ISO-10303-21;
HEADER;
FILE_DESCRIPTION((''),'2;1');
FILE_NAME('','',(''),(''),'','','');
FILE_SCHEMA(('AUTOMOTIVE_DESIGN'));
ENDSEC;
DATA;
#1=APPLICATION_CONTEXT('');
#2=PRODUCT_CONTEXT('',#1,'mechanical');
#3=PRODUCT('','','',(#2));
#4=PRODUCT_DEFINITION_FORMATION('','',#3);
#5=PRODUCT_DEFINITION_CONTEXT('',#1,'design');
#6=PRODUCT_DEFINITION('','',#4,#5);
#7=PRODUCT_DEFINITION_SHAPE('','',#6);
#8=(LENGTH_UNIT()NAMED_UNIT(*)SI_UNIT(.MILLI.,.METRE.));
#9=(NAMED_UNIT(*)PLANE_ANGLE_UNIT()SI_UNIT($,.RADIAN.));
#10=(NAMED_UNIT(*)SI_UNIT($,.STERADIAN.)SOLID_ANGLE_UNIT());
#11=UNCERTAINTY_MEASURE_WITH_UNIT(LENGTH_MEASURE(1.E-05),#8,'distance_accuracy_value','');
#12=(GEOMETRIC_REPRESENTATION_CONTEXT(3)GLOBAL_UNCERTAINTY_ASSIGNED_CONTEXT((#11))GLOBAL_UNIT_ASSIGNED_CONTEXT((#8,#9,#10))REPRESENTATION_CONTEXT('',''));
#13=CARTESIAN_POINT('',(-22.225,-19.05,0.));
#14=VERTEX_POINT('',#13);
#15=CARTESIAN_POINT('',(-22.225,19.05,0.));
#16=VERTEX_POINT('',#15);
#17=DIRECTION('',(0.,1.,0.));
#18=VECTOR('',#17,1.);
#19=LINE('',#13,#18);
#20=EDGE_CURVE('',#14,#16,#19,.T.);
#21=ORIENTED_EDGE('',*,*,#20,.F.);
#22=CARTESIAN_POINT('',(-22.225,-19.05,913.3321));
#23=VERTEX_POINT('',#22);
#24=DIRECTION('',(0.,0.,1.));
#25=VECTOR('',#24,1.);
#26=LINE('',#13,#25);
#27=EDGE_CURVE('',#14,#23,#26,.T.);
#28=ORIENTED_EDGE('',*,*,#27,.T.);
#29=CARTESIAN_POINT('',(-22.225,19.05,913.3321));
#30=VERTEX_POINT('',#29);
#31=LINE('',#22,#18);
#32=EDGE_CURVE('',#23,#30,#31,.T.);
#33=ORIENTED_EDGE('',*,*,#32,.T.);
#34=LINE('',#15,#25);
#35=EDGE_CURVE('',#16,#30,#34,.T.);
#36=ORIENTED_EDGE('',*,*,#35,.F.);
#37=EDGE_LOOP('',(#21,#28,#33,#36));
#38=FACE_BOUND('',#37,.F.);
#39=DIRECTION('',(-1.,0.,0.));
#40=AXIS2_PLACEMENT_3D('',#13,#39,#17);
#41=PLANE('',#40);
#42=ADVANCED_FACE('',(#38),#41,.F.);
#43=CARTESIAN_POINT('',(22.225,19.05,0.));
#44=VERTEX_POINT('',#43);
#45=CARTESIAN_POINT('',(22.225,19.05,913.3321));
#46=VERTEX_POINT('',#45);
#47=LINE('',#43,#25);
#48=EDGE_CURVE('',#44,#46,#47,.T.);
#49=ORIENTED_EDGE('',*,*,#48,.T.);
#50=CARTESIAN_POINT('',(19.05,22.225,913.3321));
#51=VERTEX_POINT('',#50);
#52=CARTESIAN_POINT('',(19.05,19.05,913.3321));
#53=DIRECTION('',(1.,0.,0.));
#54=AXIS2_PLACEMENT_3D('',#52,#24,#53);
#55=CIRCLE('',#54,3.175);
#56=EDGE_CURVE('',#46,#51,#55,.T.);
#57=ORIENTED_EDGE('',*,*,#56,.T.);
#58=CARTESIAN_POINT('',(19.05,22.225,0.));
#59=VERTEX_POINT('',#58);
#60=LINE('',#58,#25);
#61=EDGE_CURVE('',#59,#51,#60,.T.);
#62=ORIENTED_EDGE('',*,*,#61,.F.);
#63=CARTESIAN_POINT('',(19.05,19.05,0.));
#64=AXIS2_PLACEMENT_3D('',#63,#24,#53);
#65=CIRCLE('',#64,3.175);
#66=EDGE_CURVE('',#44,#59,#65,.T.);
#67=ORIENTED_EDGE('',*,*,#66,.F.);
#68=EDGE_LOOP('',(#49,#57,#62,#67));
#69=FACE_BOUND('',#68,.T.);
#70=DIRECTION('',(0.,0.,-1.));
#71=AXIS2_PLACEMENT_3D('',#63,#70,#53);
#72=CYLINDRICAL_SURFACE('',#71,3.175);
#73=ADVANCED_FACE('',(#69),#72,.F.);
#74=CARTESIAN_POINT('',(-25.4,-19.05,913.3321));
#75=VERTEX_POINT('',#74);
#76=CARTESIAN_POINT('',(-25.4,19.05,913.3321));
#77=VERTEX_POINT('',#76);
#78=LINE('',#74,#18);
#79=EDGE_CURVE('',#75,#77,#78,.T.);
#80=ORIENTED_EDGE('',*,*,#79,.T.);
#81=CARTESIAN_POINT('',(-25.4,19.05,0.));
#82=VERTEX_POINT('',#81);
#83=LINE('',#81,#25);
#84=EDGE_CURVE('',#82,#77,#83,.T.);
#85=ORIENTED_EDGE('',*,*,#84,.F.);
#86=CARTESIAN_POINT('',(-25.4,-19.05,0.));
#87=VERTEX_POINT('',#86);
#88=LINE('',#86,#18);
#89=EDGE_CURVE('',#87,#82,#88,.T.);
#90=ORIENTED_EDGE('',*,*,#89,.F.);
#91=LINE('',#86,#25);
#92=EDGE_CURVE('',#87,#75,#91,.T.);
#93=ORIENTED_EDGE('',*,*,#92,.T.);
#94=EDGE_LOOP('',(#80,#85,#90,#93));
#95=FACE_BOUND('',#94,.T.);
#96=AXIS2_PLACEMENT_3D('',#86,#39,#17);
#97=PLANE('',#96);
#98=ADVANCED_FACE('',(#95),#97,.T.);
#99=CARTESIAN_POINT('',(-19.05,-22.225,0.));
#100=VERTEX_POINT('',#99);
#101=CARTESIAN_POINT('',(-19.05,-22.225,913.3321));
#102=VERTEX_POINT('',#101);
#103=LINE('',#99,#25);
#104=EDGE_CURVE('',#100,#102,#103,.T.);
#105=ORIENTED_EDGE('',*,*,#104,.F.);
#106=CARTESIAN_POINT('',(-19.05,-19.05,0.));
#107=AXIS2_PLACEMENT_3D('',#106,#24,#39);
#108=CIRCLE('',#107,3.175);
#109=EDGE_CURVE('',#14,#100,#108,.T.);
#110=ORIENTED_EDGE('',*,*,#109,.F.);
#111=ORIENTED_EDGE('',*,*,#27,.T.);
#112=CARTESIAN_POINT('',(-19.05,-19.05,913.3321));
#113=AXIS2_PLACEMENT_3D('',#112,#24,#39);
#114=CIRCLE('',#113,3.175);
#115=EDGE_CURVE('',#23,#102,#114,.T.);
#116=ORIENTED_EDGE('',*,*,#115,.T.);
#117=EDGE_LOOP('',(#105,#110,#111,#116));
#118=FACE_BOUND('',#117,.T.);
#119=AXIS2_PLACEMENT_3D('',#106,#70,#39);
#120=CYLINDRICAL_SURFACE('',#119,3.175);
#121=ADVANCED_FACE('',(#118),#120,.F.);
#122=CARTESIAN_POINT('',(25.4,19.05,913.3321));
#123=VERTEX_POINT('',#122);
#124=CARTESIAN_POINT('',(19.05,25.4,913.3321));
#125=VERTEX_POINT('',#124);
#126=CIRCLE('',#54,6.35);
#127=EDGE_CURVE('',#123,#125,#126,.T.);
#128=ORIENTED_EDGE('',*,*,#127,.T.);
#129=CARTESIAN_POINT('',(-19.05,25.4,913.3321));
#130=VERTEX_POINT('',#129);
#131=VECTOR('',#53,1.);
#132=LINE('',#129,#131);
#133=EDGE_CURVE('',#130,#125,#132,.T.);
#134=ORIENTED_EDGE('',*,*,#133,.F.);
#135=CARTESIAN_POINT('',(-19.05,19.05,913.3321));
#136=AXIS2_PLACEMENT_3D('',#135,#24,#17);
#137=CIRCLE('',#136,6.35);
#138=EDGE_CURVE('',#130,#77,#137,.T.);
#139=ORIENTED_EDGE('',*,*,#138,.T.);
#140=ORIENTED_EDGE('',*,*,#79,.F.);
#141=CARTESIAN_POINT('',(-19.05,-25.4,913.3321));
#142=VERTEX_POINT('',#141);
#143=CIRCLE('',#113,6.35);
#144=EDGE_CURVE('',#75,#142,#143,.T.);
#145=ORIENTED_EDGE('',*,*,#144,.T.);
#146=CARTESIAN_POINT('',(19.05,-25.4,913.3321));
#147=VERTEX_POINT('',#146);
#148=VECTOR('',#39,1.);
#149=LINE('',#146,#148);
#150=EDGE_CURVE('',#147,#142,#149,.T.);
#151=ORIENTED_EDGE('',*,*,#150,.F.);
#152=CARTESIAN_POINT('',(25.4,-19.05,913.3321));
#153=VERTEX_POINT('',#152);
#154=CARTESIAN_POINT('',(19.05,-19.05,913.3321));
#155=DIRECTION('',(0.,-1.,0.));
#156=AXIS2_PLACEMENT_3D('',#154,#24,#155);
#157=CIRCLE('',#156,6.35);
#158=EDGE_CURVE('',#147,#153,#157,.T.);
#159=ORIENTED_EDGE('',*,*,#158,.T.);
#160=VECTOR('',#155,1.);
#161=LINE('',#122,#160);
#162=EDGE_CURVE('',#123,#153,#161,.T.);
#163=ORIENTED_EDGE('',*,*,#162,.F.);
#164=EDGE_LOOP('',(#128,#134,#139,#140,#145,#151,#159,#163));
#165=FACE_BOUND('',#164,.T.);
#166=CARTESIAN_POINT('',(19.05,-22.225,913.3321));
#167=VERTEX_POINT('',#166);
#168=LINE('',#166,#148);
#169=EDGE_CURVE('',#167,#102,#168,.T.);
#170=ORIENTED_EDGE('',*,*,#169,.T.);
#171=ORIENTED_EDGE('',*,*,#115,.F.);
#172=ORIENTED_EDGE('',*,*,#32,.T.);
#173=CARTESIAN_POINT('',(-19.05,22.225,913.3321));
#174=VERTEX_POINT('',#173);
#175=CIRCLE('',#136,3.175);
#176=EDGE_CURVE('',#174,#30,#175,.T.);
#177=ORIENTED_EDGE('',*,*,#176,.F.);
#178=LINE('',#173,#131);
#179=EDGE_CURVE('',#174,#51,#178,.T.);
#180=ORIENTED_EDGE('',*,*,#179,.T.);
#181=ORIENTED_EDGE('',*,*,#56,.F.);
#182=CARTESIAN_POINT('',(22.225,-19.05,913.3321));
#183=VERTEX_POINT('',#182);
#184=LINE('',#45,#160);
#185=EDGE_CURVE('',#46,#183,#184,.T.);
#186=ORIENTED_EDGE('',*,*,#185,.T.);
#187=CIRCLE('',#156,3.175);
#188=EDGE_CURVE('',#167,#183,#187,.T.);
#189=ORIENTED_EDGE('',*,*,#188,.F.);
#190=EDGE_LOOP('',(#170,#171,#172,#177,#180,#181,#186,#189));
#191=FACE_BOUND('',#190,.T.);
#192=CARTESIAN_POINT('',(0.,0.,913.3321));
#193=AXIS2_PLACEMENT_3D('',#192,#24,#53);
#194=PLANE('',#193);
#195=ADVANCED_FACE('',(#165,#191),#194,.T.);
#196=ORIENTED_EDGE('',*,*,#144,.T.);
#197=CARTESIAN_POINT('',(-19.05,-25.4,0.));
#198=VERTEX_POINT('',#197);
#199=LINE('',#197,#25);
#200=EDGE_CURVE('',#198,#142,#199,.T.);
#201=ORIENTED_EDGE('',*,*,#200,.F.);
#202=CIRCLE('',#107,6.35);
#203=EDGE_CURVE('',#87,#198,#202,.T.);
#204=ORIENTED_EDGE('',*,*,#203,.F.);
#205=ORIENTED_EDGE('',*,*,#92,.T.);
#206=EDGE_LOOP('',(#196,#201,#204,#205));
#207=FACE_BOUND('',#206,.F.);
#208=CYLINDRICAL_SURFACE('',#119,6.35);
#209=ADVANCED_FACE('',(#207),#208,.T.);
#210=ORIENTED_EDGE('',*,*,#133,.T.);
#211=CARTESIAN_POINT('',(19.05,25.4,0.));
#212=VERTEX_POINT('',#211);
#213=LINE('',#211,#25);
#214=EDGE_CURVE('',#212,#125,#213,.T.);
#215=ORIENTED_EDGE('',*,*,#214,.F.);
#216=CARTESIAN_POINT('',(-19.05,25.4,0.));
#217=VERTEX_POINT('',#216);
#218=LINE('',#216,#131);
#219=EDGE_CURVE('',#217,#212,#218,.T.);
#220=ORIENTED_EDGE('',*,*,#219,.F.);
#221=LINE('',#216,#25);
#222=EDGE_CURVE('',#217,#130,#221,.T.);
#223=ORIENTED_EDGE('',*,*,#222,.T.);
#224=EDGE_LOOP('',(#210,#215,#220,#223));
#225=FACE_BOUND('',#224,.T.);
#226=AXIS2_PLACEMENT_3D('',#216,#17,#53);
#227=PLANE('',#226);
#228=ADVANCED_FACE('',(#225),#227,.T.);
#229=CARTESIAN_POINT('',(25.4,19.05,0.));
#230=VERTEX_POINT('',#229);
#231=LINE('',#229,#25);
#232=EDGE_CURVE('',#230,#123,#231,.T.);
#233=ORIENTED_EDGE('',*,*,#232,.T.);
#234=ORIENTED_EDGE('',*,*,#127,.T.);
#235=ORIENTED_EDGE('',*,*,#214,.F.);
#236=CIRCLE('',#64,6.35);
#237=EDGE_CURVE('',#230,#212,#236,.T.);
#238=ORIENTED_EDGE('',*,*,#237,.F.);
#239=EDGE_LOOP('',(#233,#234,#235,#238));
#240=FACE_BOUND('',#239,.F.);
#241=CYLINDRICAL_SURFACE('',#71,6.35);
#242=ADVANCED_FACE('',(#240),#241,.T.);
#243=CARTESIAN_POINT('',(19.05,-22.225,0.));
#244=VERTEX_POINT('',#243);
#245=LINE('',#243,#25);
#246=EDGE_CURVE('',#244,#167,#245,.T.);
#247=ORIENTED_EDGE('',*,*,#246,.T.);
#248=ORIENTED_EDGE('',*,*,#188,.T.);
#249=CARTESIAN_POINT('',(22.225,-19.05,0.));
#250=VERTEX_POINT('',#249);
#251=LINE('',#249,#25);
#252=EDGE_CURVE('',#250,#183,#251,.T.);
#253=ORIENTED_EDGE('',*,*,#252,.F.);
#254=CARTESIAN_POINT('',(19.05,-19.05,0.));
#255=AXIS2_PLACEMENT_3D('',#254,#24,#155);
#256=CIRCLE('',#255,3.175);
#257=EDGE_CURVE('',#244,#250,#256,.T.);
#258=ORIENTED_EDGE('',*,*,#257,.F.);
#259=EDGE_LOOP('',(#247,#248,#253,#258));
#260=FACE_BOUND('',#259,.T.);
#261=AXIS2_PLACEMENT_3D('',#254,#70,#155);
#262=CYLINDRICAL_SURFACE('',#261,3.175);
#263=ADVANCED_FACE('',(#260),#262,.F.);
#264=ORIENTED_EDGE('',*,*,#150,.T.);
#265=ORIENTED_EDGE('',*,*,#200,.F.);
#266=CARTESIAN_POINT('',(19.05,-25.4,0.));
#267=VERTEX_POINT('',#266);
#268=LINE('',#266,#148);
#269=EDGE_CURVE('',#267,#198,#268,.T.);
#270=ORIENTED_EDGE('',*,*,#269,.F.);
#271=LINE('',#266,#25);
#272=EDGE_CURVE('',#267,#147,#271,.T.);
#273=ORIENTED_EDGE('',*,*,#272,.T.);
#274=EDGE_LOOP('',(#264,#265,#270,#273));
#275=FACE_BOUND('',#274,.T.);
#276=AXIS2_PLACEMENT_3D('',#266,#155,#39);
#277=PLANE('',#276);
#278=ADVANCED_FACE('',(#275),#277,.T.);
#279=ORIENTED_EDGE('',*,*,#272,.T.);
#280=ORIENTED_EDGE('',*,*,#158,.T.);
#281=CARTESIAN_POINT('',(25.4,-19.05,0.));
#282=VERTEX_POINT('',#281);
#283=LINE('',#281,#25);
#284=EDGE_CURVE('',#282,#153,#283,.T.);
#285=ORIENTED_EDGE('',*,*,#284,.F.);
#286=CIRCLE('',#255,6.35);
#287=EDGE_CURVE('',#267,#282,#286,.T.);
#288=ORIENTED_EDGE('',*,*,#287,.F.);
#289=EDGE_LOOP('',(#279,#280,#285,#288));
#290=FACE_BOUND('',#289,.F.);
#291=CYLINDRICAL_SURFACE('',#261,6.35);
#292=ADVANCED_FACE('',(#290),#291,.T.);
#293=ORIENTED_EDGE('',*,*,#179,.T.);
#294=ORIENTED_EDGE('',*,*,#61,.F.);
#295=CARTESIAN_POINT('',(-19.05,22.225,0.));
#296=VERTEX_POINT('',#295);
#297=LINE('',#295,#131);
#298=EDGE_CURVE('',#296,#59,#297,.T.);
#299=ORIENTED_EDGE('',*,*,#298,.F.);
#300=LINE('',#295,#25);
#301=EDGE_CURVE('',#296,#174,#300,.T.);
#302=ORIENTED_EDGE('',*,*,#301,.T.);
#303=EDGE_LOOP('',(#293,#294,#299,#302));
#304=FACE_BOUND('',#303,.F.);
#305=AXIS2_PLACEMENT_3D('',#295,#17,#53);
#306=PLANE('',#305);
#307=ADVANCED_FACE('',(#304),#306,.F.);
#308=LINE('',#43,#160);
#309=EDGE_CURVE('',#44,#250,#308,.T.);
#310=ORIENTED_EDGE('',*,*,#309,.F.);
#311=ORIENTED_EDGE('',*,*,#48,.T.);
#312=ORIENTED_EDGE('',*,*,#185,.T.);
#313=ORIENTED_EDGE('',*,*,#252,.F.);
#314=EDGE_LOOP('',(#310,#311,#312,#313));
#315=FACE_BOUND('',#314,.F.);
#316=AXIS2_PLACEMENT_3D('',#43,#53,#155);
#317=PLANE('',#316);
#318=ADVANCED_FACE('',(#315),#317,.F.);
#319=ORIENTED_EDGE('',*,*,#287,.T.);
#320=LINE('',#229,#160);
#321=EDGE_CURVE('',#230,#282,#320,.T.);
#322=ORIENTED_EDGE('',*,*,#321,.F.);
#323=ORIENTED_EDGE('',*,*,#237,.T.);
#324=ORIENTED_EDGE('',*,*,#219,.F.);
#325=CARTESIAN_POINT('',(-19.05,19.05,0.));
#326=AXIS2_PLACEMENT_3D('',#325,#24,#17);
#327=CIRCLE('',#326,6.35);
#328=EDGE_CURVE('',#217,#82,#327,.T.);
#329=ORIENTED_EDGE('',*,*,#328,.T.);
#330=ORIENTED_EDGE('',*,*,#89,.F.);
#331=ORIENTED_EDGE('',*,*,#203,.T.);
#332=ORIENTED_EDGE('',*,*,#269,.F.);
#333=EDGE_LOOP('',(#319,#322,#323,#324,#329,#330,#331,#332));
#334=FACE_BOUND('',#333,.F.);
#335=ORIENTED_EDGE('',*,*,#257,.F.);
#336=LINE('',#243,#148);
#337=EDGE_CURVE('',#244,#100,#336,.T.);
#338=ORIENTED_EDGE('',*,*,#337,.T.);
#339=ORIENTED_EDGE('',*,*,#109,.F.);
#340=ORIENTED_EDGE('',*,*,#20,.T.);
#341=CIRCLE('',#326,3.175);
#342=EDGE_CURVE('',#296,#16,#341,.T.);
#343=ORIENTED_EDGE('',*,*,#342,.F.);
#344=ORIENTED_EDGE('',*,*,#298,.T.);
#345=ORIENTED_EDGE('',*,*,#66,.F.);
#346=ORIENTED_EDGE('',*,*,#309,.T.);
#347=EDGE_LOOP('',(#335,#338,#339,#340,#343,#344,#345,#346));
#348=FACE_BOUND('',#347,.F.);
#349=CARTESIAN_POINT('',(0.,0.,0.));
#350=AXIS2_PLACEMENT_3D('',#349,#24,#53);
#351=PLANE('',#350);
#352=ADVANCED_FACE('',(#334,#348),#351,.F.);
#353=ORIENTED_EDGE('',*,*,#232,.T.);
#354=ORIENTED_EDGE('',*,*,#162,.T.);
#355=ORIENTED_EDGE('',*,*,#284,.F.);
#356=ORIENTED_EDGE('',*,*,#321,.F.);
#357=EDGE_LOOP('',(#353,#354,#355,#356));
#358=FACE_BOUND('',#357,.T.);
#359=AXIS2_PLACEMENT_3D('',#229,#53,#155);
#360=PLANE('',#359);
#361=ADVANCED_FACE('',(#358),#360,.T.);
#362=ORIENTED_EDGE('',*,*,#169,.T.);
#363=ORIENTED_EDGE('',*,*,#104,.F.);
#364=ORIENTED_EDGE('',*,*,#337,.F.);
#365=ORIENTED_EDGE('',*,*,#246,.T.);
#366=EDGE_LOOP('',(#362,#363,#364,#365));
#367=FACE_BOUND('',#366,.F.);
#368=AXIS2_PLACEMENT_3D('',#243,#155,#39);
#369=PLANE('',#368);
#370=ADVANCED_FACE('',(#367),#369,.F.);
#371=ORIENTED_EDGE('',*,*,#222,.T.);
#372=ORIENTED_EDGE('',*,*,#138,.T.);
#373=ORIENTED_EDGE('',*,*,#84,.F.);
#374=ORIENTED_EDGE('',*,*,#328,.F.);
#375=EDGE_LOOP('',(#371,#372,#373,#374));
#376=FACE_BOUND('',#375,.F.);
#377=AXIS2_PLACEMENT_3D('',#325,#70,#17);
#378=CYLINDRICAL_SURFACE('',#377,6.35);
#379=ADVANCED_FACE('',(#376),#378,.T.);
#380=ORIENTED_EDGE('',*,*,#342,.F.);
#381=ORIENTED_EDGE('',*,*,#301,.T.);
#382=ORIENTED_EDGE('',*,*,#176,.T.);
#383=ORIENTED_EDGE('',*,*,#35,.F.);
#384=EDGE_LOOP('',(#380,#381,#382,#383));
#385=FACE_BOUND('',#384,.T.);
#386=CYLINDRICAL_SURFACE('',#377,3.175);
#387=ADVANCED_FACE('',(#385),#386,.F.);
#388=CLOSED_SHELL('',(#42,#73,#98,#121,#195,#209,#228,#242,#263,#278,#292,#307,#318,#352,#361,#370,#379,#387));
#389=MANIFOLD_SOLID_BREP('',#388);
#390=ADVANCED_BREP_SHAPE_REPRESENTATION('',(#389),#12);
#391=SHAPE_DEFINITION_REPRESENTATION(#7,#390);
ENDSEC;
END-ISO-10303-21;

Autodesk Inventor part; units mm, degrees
ref_plane "YZ Plane" through (0, 0, 0) normal (1, 0, 0) x (0, 1, 0)
ref_plane "Start plane" through (0, 0, 0) normal (0, 0, 1) x (1, 0, 0)
ref_plane "End plane" through (0, 0, 913.3321) normal (0, 0, 1) x (1, 0, 0)
sketch "Sketch" plane through (0, 0, 0) normal (0, 0, 1) x (1, 0, 0)
  line L0 (-25.4, -19.05) -> (-25.4, 19.05)
  line L1 (-19.05, 25.4) -> (19.05, 25.4)
  line L2 (25.4, 19.05) -> (25.4, -19.05)
  line L3 (19.05, -25.4) -> (-19.05, -25.4)
  arc A0 (-25.4, -19.05) -> (-19.05, -25.4) centre (-19.05, -19.05) ccw
  arc A1 (-19.05, 25.4) -> (-25.4, 19.05) centre (-19.05, 19.05) ccw
  arc A2 (25.4, 19.05) -> (19.05, 25.4) centre (19.05, 19.05) ccw
  arc A3 (19.05, -25.4) -> (25.4, -19.05) centre (19.05, -19.05) ccw
  arc A4 (-19.05, 22.225) -> (-22.225, 19.05) centre (-19.05, 19.05) ccw
  line L4 (-19.05, 22.225) -> (19.05, 22.225)
  arc A5 (22.225, 19.05) -> (19.05, 22.225) centre (19.05, 19.05) ccw
  line L5 (22.225, 19.05) -> (22.225, -19.05)
  arc A6 (19.05, -22.225) -> (22.225, -19.05) centre (19.05, -19.05) ccw
  line L6 (19.05, -22.225) -> (-19.05, -22.225)
  arc A7 (-22.225, -19.05) -> (-19.05, -22.225) centre (-19.05, -19.05) ccw
  line L7 (-22.225, -19.05) -> (-22.225, 19.05)
  line L8 (0, 37.4012) -> (0, -37.4012) construction
  line L9 (-37.4012, 0) -> (37.4012, 0) construction
  dimension "d10" = 50.8
  dimension "d11" = 50.8
  dimension "d12" = 3.175
  dimension "d15" = 25.4
  dimension "d16" = 25.4
  dimension "d17" = 6.35
extrude "Body" add sketch "Sketch" along normal up to surface (913.3321 mm away) from surface at 0
sketch "Sketch3" plane through (0, 0, 0) normal (0, 0, 1) x (1, 0, 0)
  line L0 (0, 0) -> (10, 0)
ref_plane "Work Plane3" through (0, 0, 0) normal (0, -1, 0) x (1, 0, 0)
sketch "Sketch4" plane through (0, 0, 0) normal (0, -1, 0) x (1, 0, 0)
  line L0 (-2, 0) -> (12, 0)
  line L1 (-2, 913.3321) -> (12, 913.3321)
  dimension "d19" = 913.3321
equation "\"d10\" = G_H"
equation "\"d11\" = G_W"
equation "\"d12\" = G_T"
equation "\"d15\" = 0.5 * d10"
equation "\"d16\" = 0.5 * d11"
equation "\"d17\" = G_IR"
equation "\"d3\" = G_L"
equation "\"G_W\" = 50.8"
equation "\"G_H\" = 50.8"
equation "\"G_T\" = 3.175"
equation "\"G_IR\" = 6.35"
equation "\"G_L\" = d19"
equation "\"G_OFFSET_START\" = 0"
equation "\"G_OFFSET_END\" = 0"
equation "\"d14\" = G_OFFSET_END + B_L"
equation "\"B_L\" = 913.3321"
properties part number "AISC HSS - 2 x 2 x 1/8 - 35.958" material "Steel, Mild"
